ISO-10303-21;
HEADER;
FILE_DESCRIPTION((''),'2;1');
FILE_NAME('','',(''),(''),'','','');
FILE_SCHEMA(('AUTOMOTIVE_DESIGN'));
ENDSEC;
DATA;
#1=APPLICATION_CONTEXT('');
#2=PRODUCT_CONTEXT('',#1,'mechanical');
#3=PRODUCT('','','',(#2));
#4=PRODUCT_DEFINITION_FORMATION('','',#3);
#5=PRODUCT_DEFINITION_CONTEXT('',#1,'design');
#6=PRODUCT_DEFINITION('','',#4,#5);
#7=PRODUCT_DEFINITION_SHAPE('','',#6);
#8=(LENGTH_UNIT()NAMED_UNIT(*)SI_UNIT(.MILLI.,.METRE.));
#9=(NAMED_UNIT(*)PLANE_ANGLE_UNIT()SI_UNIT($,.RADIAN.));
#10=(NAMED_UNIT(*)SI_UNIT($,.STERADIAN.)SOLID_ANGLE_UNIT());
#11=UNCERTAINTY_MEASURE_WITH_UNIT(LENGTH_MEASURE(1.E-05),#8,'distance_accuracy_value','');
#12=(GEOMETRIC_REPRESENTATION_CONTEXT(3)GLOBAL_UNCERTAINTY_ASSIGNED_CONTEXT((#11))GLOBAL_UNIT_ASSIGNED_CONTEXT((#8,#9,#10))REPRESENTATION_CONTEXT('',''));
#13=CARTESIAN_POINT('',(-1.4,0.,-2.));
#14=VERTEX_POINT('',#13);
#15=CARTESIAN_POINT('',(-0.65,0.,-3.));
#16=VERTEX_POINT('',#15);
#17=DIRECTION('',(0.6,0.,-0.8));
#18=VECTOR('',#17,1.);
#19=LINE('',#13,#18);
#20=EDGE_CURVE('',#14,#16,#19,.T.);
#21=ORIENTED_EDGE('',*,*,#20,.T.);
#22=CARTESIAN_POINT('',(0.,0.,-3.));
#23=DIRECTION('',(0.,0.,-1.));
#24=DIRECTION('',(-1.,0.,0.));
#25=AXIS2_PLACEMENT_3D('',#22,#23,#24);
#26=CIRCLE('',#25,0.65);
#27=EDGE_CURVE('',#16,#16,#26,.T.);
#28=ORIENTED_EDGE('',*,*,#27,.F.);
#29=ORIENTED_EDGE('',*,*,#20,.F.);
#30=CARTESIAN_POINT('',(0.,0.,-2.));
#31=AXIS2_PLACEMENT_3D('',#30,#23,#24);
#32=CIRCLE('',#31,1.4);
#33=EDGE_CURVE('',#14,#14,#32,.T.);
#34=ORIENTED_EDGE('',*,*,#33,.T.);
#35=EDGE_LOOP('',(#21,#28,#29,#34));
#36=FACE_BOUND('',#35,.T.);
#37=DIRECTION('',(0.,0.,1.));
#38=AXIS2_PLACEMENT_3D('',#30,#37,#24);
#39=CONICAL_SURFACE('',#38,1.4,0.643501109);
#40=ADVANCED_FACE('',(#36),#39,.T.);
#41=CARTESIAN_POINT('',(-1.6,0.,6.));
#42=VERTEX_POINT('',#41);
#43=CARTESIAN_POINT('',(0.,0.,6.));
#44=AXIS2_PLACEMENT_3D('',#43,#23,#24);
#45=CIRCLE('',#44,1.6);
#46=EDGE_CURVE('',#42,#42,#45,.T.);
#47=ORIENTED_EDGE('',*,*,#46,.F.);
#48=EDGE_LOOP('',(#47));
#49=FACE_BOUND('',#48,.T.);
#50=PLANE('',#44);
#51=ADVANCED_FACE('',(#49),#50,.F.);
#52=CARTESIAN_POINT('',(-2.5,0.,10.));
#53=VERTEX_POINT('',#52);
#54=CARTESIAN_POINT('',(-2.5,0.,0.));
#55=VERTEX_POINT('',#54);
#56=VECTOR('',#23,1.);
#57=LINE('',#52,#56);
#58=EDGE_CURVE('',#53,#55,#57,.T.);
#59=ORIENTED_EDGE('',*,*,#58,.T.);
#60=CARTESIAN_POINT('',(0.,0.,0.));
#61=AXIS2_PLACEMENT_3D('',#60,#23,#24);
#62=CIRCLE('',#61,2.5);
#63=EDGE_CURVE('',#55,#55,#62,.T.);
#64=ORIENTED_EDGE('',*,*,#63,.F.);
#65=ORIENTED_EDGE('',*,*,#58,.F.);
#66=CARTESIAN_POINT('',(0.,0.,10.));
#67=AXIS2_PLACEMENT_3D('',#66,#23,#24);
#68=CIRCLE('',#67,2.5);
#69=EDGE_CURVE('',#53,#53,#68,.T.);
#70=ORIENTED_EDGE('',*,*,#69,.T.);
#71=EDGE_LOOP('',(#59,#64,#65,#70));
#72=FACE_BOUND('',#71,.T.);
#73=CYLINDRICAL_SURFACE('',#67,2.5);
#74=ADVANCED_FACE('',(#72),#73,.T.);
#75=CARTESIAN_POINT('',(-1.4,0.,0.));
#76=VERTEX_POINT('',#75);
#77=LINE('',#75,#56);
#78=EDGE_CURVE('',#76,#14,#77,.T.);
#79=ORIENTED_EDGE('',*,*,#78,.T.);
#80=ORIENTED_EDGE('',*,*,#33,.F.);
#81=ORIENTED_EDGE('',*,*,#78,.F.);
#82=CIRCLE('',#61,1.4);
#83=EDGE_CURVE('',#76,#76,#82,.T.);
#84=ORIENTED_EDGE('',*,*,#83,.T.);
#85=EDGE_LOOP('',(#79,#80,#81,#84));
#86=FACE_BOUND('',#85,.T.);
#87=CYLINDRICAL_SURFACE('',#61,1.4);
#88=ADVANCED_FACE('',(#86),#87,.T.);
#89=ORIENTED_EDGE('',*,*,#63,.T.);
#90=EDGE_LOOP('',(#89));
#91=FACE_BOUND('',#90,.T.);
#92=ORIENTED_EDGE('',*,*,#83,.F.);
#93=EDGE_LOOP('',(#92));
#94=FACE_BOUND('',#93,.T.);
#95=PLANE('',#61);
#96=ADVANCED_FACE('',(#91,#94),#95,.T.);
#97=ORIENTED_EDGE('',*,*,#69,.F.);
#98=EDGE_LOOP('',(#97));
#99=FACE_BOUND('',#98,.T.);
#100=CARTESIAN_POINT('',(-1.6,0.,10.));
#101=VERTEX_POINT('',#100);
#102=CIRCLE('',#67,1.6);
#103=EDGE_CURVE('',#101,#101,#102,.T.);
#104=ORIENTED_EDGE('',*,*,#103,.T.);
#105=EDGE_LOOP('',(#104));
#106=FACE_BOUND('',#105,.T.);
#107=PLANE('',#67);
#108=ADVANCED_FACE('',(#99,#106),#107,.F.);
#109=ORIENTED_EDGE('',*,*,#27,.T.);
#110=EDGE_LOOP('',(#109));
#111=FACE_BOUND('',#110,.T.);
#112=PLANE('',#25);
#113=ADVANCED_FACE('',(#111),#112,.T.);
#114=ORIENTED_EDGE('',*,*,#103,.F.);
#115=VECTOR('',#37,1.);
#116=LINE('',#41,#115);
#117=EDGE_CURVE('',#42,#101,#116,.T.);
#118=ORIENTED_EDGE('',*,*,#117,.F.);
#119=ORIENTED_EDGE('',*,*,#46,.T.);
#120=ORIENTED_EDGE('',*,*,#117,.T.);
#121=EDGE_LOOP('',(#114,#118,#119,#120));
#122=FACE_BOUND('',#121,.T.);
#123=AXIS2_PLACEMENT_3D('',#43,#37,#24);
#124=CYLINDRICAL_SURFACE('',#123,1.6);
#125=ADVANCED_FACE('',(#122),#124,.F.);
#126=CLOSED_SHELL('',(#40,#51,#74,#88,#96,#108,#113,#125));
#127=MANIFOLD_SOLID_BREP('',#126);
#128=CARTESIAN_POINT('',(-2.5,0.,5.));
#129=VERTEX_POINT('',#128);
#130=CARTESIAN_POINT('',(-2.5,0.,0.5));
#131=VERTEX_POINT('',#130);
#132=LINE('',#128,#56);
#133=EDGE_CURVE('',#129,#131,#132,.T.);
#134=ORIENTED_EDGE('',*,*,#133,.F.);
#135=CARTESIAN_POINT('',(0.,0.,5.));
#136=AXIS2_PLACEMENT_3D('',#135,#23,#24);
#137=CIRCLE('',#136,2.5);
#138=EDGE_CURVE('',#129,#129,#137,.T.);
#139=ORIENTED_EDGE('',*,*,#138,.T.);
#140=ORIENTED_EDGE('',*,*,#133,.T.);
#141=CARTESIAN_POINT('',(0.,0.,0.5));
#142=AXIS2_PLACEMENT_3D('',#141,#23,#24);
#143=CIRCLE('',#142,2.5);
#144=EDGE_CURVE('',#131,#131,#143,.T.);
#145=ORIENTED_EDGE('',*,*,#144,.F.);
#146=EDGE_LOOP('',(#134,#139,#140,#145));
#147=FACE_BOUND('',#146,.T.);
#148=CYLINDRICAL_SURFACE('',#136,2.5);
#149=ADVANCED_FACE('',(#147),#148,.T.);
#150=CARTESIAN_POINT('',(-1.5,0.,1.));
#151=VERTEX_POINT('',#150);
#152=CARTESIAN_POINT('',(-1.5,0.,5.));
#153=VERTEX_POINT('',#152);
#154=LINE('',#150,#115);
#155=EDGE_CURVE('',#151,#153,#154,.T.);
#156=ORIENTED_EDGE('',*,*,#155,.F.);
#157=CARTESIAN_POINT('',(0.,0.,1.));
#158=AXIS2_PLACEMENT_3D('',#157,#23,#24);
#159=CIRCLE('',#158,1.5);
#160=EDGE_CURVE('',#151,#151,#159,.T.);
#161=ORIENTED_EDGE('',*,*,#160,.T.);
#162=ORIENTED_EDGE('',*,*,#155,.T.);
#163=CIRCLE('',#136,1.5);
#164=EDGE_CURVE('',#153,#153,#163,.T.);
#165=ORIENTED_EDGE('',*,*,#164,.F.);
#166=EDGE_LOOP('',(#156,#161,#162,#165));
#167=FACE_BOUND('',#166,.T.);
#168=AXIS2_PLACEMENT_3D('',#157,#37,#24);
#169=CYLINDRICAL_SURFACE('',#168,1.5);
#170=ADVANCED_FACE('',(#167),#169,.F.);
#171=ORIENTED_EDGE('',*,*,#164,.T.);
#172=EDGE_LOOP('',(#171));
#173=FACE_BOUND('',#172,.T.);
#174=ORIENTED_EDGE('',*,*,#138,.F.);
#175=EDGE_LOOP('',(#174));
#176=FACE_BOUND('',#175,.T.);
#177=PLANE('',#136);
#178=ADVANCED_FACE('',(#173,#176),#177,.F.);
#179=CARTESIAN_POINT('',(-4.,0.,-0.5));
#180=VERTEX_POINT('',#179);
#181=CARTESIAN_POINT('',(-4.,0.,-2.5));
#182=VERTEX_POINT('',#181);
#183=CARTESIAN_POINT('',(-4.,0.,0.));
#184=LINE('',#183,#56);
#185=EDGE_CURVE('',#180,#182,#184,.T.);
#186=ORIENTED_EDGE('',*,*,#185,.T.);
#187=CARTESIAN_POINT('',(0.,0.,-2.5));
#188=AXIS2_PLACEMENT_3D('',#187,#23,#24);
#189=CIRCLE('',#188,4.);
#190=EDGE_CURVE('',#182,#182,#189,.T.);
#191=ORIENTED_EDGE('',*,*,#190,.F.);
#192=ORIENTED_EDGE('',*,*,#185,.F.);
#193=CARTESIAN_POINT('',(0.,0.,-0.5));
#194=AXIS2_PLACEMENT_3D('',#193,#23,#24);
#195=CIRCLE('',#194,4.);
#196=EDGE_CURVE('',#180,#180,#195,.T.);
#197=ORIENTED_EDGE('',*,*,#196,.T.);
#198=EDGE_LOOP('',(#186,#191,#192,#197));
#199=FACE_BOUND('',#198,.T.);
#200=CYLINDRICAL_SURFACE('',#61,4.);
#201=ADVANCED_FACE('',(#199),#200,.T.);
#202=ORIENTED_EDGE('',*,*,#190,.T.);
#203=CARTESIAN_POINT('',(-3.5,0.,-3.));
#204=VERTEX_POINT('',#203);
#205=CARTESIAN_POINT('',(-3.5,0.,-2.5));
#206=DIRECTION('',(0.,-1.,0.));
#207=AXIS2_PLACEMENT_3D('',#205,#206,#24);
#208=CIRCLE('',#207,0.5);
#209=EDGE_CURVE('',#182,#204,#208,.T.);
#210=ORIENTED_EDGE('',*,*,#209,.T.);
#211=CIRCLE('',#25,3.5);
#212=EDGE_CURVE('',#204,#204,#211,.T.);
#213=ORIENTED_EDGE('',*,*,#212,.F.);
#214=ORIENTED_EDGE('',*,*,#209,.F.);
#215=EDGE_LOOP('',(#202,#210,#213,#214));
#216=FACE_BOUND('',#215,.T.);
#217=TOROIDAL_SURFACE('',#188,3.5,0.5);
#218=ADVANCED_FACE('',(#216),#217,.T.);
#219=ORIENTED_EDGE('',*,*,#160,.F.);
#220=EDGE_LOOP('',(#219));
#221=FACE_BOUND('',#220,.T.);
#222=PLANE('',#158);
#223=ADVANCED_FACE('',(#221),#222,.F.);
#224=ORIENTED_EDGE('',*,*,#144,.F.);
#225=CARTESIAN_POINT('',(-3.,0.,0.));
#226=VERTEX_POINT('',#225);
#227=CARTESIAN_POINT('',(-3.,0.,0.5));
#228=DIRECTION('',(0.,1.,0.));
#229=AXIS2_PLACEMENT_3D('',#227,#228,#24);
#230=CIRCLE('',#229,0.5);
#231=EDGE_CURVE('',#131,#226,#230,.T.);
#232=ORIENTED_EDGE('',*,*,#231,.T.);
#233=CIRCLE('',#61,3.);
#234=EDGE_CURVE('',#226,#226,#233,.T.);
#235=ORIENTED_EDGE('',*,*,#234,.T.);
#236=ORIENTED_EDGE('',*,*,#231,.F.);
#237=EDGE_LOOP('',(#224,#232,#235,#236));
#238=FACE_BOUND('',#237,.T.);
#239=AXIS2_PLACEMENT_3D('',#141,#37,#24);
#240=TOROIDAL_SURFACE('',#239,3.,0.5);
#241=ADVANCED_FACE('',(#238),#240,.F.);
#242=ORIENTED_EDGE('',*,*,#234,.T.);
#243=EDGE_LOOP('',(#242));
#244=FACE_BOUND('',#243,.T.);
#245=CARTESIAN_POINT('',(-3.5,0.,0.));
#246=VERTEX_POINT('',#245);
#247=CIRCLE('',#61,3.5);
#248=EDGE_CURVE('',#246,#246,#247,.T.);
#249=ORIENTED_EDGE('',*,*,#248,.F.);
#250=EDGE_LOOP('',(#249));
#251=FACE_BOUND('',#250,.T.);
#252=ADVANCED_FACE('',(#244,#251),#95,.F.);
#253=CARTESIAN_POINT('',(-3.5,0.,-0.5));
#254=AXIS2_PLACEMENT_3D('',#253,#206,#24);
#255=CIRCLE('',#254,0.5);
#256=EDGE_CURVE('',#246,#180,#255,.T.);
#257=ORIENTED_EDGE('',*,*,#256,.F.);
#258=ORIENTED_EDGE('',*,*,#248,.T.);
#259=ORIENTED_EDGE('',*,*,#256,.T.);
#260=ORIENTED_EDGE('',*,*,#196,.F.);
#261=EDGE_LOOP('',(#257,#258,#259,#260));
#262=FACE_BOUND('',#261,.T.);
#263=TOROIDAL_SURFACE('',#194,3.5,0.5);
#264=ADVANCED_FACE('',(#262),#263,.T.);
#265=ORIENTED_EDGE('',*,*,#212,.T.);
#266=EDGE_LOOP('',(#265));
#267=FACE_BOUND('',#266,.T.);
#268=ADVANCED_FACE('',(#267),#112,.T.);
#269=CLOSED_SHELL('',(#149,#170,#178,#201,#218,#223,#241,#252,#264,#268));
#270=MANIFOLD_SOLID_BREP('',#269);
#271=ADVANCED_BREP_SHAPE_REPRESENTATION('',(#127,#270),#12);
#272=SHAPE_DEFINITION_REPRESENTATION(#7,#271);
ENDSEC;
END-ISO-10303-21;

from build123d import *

# Parameters (mm, degrees)
F2_SIZE2 = 0.75
F2_SIZE  = 1
F5_R     = 0.5


with BuildPart() as f1:
    # F0 (on Front) → F1 (revolve)
    with BuildSketch(Plane.XZ):
        Polygon((-1.6, 6), (-1.6, 10), (-2.5, 10), (-2.5, 0), (-1.4, 0), (-1.4, -3), (0, -3), (0, 6), align=None)
    revolve(axis=Axis((0, 0, -0.0238702632), (0, 0, -1)))

    # F2
    f2_edges = [f1.edges().sort_by_distance(p)[0] for p in [
        (1.4, 0, -3),
    ]]
    chamfer(f2_edges, length=F2_SIZE, length2=F2_SIZE2)


with BuildPart() as f4:
    # F3 (on Front) → F4 (revolve)
    with BuildSketch(Plane.XZ):
        Polygon((-1.5, 1), (-1.5, 5), (-2.5, 5), (-2.5, 0), (-4, 0), (-4, -3), (0, -3), (0, 1), align=None)
    revolve(axis=Axis((0, 0, 1.4723995883), (0, 0, -1)))

    # F5
    f5_edges = [f4.edges().sort_by_distance(p)[0] for p in [
        (4, 0, -3),
        (4, 0, 0),
        (2.5, 0, 0),
    ]]
    fillet(f5_edges, radius=F5_R)


solid = Compound([f1.part, f4.part])
